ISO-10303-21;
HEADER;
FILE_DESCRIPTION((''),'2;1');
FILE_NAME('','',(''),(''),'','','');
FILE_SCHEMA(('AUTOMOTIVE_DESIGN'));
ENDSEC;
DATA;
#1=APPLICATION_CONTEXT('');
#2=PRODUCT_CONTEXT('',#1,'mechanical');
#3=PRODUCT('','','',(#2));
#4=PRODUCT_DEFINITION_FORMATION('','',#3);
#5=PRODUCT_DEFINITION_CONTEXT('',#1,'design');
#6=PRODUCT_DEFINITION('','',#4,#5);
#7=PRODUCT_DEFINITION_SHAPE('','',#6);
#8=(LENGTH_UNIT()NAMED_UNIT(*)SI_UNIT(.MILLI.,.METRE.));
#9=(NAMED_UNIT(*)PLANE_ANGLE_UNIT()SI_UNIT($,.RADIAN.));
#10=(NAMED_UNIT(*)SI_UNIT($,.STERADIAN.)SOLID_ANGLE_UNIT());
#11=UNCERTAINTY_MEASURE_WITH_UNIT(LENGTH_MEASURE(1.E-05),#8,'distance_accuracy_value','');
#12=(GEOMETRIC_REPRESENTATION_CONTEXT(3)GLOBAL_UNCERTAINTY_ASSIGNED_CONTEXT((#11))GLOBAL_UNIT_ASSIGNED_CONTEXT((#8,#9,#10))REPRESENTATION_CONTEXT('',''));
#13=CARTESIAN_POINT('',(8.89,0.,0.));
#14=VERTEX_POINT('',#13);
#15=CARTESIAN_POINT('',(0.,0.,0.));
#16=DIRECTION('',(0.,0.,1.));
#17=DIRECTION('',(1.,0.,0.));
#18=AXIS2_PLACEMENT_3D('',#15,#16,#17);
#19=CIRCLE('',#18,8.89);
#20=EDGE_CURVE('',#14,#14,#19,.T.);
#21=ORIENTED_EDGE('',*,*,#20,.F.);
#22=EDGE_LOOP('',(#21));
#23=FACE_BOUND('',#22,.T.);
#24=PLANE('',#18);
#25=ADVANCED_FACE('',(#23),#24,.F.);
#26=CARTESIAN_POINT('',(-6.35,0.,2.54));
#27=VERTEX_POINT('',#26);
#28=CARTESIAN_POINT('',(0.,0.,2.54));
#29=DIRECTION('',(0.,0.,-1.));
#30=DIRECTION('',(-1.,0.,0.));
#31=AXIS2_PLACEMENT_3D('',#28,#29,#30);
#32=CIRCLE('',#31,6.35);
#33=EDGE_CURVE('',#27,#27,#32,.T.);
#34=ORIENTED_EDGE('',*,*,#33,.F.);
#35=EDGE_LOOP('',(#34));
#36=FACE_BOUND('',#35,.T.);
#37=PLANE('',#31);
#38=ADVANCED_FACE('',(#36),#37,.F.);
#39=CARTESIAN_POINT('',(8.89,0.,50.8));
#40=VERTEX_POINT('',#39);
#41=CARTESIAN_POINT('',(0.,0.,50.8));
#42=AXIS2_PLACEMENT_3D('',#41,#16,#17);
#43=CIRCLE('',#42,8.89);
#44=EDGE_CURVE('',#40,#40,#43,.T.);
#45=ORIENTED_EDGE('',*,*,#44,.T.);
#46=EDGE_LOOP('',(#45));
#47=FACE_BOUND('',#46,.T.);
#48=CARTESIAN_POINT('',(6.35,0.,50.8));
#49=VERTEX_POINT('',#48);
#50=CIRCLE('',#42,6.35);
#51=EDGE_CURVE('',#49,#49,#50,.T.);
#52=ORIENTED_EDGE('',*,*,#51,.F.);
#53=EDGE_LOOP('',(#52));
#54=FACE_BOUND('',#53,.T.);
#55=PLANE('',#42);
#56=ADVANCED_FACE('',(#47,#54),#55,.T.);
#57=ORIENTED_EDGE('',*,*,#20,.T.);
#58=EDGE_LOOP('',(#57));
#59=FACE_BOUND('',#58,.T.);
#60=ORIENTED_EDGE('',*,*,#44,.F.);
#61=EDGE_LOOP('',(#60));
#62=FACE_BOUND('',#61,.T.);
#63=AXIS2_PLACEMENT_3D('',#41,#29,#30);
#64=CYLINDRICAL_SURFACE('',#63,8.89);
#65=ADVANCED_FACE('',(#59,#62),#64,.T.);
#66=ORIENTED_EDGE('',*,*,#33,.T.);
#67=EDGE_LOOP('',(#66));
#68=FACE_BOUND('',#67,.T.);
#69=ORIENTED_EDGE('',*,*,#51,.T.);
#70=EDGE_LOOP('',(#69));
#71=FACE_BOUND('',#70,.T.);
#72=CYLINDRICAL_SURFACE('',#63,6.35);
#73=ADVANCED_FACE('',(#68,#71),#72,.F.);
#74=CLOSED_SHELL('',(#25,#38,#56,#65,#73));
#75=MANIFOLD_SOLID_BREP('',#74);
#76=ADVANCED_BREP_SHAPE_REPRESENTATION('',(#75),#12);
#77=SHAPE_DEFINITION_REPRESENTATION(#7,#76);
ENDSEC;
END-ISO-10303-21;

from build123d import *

# Parameters (mm, degrees)
SKETCH1_R           = 8.89
SKETCH1_R_2         = 6.35
EXTRUDE_THIN1_DEPTH = 50.8
SKETCH2_R           = 6.35
BOSS_EXTRUDE1_DEPTH = 2.54


with BuildPart() as part:
    # Sketch1 → Extrude-Thin1 (new body)
    with BuildSketch(Plane.XY):
        Circle(SKETCH1_R)
        Circle(SKETCH1_R_2, mode=Mode.SUBTRACT)
    extrude(amount=EXTRUDE_THIN1_DEPTH)

    # Sketch2 → Boss-Extrude1 (add)
    with BuildSketch(Plane(origin=(0, 0, 0), x_dir=(-1, 0, 0), z_dir=(0, 0, -1))):
        Circle(SKETCH2_R)
    extrude(amount=-BOSS_EXTRUDE1_DEPTH)


solid = part.part
